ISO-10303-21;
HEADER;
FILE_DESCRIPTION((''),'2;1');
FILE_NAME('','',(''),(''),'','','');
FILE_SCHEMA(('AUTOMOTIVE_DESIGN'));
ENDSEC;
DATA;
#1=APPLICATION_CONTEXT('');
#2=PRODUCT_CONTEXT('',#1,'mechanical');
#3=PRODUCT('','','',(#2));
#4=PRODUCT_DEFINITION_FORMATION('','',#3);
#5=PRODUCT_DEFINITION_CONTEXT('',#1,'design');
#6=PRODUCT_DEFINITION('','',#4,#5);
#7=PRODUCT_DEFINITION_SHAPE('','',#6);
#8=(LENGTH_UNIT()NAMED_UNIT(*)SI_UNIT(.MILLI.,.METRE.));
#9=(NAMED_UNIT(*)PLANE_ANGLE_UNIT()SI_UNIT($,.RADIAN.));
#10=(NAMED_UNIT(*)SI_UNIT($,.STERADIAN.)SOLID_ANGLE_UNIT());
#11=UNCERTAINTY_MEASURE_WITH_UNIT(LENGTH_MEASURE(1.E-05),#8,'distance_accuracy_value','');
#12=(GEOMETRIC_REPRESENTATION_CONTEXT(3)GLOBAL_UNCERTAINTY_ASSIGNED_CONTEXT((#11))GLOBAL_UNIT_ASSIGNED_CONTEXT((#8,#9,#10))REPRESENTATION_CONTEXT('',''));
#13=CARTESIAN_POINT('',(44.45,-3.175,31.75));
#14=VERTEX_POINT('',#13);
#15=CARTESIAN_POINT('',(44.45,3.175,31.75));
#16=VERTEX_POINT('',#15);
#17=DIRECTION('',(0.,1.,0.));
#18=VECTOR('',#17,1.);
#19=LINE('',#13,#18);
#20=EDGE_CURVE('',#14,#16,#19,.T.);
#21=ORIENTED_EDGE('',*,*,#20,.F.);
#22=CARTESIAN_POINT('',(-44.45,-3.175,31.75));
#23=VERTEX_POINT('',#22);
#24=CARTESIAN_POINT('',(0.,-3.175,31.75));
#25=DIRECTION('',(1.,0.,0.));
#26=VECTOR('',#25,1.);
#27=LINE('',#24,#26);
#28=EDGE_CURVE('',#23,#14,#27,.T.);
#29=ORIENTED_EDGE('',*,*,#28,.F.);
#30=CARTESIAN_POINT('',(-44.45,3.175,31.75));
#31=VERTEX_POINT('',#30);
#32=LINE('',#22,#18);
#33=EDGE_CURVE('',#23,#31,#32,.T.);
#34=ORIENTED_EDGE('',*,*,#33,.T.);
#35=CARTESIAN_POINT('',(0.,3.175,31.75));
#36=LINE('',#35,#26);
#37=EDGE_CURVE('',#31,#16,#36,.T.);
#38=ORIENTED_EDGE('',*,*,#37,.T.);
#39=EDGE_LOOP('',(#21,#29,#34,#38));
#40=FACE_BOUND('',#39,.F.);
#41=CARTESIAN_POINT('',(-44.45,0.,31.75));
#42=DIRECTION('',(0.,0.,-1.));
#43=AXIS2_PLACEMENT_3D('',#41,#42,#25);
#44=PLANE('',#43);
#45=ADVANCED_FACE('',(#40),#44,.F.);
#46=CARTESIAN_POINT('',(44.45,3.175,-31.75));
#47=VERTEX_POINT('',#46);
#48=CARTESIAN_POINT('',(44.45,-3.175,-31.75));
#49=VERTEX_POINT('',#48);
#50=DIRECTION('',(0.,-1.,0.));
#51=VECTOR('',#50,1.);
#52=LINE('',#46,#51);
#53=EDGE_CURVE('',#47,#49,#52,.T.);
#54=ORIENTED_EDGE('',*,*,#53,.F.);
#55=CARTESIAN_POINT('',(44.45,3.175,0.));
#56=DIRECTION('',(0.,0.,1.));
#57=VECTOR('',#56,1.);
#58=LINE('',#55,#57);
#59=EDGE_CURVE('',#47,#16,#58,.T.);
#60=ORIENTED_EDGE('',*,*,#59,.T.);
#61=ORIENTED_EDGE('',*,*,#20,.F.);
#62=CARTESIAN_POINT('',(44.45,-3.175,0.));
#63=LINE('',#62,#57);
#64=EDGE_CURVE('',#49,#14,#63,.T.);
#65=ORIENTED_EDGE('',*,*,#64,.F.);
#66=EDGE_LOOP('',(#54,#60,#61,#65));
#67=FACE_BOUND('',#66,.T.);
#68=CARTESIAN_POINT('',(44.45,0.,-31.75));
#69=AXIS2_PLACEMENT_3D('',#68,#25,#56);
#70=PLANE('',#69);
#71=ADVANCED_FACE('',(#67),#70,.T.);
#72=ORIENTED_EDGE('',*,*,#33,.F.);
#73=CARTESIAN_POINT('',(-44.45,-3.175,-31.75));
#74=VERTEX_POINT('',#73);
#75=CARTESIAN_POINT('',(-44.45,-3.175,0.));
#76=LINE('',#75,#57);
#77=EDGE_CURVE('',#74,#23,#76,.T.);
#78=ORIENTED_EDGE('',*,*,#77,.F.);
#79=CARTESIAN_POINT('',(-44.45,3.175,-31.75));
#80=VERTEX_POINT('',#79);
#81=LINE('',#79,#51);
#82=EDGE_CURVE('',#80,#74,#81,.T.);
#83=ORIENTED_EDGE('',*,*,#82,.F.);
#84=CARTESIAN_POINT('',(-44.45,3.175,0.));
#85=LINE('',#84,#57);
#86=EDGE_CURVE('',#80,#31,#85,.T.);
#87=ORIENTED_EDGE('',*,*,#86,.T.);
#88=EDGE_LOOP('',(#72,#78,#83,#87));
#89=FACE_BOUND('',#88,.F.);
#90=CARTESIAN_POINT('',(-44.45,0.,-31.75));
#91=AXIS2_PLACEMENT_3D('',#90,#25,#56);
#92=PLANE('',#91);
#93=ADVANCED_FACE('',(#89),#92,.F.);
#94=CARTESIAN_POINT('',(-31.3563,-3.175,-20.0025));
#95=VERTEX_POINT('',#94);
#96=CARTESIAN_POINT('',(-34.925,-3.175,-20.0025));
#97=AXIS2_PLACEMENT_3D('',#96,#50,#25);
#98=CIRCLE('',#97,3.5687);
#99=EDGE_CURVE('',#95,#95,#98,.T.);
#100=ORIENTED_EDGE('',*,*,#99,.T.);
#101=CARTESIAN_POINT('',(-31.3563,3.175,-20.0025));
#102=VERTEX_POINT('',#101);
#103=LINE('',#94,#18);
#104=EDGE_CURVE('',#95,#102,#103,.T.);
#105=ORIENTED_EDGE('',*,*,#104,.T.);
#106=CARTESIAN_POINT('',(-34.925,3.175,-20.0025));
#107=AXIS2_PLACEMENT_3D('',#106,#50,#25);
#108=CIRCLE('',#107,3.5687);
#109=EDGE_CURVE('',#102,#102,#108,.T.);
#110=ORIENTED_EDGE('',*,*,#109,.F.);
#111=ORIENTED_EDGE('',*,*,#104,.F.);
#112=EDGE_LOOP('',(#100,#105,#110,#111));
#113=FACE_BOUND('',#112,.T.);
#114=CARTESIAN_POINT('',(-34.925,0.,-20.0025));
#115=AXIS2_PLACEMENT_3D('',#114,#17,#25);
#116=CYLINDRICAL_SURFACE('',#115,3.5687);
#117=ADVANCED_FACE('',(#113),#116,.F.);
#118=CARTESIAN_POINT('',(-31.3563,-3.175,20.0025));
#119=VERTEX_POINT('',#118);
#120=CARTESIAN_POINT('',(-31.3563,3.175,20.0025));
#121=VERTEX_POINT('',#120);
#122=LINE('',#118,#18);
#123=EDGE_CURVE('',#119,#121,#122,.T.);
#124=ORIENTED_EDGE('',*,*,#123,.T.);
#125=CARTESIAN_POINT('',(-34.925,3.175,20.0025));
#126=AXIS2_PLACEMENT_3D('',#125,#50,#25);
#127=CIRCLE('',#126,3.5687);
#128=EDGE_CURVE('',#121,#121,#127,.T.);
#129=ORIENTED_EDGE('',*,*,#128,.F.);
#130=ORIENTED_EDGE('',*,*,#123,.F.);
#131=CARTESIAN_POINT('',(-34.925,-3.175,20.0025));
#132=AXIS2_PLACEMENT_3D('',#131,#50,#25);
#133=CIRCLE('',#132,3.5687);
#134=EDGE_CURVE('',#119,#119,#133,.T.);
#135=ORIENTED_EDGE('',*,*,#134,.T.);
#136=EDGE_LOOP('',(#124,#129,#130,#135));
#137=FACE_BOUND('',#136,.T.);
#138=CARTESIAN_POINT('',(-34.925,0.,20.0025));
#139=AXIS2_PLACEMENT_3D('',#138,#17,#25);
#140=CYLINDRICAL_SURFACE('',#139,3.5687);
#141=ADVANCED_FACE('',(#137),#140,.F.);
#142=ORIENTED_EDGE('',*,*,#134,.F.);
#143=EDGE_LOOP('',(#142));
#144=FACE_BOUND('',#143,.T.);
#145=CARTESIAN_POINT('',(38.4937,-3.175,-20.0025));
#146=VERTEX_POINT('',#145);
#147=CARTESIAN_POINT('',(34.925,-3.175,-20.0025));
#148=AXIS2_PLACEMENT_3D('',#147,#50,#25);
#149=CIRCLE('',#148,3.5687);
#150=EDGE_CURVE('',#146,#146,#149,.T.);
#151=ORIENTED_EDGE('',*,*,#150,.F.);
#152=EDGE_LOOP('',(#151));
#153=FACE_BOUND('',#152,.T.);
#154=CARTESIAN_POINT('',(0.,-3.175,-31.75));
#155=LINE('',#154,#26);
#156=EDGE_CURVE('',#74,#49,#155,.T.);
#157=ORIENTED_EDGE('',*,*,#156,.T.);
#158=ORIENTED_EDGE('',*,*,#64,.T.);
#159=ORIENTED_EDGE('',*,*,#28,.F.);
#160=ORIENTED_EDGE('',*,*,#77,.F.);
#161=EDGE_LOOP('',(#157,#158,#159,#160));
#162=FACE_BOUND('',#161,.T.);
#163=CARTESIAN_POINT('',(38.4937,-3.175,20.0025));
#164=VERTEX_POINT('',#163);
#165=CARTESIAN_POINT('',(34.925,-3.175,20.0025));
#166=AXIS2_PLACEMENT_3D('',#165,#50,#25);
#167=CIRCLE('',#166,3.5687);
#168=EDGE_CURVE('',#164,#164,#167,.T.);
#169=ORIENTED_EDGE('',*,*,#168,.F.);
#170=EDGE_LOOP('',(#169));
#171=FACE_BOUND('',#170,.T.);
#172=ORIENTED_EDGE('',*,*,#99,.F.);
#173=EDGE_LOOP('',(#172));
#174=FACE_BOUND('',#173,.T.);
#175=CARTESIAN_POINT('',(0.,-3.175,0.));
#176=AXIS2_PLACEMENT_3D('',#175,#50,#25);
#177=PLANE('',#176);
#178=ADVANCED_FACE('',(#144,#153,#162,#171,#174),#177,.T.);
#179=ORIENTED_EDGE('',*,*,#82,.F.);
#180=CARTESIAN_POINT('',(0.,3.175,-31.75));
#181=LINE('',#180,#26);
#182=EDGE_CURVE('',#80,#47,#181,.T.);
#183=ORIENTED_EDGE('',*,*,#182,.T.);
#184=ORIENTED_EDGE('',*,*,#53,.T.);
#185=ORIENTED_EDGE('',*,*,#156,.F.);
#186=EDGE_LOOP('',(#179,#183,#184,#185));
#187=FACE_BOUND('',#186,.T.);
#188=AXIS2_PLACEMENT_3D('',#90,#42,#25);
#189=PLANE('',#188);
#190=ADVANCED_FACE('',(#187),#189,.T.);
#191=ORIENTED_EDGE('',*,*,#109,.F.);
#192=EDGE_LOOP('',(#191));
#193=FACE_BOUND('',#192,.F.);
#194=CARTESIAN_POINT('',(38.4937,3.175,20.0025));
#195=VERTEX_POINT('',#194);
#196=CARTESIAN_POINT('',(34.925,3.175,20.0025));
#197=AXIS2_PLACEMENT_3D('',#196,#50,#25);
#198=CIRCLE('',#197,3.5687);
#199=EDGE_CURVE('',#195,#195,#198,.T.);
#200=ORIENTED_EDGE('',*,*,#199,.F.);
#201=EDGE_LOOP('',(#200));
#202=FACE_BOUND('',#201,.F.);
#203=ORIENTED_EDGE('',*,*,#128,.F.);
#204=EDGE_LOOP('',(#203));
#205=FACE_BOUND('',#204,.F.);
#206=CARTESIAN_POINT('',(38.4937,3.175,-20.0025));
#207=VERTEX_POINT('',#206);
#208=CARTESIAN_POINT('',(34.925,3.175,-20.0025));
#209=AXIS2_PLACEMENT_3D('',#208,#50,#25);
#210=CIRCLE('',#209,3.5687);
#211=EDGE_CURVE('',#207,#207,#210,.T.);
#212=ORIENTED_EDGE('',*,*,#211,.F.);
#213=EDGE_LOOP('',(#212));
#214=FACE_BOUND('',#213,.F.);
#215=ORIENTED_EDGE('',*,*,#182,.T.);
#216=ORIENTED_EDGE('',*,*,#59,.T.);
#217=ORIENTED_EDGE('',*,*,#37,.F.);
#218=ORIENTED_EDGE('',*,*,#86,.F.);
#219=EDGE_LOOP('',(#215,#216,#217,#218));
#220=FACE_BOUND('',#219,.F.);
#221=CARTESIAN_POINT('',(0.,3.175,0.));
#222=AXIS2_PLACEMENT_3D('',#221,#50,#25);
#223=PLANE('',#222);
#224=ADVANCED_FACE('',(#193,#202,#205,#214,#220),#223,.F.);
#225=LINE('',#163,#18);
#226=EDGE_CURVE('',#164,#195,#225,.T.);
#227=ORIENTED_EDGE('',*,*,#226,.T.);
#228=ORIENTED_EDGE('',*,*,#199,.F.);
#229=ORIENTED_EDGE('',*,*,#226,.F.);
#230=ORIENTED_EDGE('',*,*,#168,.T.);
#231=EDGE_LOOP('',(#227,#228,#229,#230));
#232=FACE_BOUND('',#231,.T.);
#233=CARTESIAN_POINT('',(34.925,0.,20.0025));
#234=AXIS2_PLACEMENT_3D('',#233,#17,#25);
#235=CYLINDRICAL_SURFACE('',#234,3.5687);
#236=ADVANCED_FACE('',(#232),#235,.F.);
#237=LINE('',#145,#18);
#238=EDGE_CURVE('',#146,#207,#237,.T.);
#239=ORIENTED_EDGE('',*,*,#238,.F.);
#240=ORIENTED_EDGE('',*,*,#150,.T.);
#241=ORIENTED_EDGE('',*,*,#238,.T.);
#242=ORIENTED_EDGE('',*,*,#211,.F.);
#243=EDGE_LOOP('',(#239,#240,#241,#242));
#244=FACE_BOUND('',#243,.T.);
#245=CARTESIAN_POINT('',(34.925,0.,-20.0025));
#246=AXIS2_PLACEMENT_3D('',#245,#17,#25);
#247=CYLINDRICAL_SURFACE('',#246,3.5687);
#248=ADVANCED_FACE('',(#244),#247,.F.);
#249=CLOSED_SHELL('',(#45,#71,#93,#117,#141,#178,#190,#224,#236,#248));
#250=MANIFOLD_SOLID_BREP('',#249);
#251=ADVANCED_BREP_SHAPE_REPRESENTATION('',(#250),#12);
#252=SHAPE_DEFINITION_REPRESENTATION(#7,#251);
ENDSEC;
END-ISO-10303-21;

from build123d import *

# Parameters (mm, degrees)
F0_W     = 88.9
F0_H     = 63.5
F0_R     = 3.5687
F1_DEPTH = 3.175


with BuildPart() as f1:
    # F0 (on Front) → F1 (new body, symmetric)
    with BuildSketch(Plane.XZ):
        Rectangle(F0_W, F0_H)
        with Locations((-34.925, -20.0025)):
            Circle(F0_R, mode=Mode.SUBTRACT)
        with Locations((34.925, -20.0025)):
            Circle(F0_R, mode=Mode.SUBTRACT)
        with Locations((-34.925, 20.0025)):
            Circle(F0_R, mode=Mode.SUBTRACT)
        with Locations((34.925, 20.0025)):
            Circle(F0_R, mode=Mode.SUBTRACT)
    extrude(amount=F1_DEPTH, both=True)


solid = f1.part
